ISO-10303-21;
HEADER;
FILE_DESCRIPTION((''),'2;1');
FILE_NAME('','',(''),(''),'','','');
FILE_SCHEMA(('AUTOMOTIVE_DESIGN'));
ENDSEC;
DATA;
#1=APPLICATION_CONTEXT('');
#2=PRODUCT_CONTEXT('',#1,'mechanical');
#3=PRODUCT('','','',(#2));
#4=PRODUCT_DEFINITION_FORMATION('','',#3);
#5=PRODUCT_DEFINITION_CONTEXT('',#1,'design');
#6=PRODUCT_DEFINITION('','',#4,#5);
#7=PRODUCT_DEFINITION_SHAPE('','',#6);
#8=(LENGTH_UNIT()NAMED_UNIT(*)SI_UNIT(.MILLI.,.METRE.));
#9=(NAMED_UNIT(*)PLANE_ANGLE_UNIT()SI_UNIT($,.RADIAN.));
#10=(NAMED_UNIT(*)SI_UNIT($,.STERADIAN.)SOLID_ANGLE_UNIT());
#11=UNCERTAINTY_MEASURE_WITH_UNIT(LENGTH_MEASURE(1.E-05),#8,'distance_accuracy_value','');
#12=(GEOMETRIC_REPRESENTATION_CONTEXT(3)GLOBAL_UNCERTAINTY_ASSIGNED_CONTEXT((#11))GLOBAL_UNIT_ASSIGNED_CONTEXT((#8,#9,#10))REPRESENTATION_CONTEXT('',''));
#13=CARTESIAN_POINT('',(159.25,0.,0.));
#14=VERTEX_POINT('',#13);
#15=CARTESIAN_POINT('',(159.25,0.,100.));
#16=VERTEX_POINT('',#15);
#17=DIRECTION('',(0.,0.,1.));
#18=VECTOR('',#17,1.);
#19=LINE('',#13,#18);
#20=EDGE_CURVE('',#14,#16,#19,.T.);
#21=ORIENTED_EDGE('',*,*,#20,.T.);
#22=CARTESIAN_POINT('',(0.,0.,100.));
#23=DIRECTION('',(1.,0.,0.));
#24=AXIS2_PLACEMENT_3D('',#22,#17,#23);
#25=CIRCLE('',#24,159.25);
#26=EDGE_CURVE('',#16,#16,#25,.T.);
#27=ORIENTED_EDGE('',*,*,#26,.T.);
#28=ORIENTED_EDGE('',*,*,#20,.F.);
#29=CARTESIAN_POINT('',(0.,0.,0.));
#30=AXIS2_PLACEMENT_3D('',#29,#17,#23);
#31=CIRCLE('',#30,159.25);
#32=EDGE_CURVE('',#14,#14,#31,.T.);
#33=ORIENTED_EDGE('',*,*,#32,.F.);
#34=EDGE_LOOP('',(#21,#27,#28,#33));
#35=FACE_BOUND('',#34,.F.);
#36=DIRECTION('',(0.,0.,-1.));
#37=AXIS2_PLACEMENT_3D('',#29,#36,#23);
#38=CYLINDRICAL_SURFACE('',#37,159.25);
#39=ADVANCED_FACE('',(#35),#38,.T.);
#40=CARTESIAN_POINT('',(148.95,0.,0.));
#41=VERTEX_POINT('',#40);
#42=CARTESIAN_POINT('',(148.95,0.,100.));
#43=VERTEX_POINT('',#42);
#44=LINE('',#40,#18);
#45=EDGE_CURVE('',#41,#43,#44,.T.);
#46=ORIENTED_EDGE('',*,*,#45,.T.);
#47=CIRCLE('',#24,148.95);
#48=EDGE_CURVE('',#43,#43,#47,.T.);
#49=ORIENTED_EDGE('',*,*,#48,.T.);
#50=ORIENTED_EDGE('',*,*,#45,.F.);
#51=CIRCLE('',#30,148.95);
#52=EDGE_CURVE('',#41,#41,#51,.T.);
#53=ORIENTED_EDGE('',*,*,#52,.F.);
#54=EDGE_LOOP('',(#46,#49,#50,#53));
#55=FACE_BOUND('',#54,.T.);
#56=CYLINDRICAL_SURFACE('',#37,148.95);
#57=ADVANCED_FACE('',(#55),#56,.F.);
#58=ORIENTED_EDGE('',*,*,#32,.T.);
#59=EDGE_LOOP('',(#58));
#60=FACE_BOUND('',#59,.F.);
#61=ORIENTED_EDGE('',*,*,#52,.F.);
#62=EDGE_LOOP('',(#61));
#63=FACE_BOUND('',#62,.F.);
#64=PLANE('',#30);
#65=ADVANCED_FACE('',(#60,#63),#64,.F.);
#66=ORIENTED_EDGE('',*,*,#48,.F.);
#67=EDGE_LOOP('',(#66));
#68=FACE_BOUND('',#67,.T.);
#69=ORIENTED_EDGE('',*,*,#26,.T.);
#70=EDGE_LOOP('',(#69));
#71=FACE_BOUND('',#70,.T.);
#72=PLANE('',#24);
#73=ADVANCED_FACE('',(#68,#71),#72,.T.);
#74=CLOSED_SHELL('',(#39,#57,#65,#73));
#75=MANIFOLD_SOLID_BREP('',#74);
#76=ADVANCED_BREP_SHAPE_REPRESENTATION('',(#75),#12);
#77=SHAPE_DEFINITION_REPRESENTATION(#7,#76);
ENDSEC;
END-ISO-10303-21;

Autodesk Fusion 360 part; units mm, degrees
sketch "スケッチ1" plane through (0, 0, 0) normal (0, 0, 1) x (1, 0, 0)
  circle A0 centre (0, 0) radius 159.25
  circle A1 centre (0, 0) radius 148.95
  dimension "d1" = 318.5
  dimension "d2" = -10.3
extrude "押し出し1" add sketch "スケッチ1" along normal blind 100
